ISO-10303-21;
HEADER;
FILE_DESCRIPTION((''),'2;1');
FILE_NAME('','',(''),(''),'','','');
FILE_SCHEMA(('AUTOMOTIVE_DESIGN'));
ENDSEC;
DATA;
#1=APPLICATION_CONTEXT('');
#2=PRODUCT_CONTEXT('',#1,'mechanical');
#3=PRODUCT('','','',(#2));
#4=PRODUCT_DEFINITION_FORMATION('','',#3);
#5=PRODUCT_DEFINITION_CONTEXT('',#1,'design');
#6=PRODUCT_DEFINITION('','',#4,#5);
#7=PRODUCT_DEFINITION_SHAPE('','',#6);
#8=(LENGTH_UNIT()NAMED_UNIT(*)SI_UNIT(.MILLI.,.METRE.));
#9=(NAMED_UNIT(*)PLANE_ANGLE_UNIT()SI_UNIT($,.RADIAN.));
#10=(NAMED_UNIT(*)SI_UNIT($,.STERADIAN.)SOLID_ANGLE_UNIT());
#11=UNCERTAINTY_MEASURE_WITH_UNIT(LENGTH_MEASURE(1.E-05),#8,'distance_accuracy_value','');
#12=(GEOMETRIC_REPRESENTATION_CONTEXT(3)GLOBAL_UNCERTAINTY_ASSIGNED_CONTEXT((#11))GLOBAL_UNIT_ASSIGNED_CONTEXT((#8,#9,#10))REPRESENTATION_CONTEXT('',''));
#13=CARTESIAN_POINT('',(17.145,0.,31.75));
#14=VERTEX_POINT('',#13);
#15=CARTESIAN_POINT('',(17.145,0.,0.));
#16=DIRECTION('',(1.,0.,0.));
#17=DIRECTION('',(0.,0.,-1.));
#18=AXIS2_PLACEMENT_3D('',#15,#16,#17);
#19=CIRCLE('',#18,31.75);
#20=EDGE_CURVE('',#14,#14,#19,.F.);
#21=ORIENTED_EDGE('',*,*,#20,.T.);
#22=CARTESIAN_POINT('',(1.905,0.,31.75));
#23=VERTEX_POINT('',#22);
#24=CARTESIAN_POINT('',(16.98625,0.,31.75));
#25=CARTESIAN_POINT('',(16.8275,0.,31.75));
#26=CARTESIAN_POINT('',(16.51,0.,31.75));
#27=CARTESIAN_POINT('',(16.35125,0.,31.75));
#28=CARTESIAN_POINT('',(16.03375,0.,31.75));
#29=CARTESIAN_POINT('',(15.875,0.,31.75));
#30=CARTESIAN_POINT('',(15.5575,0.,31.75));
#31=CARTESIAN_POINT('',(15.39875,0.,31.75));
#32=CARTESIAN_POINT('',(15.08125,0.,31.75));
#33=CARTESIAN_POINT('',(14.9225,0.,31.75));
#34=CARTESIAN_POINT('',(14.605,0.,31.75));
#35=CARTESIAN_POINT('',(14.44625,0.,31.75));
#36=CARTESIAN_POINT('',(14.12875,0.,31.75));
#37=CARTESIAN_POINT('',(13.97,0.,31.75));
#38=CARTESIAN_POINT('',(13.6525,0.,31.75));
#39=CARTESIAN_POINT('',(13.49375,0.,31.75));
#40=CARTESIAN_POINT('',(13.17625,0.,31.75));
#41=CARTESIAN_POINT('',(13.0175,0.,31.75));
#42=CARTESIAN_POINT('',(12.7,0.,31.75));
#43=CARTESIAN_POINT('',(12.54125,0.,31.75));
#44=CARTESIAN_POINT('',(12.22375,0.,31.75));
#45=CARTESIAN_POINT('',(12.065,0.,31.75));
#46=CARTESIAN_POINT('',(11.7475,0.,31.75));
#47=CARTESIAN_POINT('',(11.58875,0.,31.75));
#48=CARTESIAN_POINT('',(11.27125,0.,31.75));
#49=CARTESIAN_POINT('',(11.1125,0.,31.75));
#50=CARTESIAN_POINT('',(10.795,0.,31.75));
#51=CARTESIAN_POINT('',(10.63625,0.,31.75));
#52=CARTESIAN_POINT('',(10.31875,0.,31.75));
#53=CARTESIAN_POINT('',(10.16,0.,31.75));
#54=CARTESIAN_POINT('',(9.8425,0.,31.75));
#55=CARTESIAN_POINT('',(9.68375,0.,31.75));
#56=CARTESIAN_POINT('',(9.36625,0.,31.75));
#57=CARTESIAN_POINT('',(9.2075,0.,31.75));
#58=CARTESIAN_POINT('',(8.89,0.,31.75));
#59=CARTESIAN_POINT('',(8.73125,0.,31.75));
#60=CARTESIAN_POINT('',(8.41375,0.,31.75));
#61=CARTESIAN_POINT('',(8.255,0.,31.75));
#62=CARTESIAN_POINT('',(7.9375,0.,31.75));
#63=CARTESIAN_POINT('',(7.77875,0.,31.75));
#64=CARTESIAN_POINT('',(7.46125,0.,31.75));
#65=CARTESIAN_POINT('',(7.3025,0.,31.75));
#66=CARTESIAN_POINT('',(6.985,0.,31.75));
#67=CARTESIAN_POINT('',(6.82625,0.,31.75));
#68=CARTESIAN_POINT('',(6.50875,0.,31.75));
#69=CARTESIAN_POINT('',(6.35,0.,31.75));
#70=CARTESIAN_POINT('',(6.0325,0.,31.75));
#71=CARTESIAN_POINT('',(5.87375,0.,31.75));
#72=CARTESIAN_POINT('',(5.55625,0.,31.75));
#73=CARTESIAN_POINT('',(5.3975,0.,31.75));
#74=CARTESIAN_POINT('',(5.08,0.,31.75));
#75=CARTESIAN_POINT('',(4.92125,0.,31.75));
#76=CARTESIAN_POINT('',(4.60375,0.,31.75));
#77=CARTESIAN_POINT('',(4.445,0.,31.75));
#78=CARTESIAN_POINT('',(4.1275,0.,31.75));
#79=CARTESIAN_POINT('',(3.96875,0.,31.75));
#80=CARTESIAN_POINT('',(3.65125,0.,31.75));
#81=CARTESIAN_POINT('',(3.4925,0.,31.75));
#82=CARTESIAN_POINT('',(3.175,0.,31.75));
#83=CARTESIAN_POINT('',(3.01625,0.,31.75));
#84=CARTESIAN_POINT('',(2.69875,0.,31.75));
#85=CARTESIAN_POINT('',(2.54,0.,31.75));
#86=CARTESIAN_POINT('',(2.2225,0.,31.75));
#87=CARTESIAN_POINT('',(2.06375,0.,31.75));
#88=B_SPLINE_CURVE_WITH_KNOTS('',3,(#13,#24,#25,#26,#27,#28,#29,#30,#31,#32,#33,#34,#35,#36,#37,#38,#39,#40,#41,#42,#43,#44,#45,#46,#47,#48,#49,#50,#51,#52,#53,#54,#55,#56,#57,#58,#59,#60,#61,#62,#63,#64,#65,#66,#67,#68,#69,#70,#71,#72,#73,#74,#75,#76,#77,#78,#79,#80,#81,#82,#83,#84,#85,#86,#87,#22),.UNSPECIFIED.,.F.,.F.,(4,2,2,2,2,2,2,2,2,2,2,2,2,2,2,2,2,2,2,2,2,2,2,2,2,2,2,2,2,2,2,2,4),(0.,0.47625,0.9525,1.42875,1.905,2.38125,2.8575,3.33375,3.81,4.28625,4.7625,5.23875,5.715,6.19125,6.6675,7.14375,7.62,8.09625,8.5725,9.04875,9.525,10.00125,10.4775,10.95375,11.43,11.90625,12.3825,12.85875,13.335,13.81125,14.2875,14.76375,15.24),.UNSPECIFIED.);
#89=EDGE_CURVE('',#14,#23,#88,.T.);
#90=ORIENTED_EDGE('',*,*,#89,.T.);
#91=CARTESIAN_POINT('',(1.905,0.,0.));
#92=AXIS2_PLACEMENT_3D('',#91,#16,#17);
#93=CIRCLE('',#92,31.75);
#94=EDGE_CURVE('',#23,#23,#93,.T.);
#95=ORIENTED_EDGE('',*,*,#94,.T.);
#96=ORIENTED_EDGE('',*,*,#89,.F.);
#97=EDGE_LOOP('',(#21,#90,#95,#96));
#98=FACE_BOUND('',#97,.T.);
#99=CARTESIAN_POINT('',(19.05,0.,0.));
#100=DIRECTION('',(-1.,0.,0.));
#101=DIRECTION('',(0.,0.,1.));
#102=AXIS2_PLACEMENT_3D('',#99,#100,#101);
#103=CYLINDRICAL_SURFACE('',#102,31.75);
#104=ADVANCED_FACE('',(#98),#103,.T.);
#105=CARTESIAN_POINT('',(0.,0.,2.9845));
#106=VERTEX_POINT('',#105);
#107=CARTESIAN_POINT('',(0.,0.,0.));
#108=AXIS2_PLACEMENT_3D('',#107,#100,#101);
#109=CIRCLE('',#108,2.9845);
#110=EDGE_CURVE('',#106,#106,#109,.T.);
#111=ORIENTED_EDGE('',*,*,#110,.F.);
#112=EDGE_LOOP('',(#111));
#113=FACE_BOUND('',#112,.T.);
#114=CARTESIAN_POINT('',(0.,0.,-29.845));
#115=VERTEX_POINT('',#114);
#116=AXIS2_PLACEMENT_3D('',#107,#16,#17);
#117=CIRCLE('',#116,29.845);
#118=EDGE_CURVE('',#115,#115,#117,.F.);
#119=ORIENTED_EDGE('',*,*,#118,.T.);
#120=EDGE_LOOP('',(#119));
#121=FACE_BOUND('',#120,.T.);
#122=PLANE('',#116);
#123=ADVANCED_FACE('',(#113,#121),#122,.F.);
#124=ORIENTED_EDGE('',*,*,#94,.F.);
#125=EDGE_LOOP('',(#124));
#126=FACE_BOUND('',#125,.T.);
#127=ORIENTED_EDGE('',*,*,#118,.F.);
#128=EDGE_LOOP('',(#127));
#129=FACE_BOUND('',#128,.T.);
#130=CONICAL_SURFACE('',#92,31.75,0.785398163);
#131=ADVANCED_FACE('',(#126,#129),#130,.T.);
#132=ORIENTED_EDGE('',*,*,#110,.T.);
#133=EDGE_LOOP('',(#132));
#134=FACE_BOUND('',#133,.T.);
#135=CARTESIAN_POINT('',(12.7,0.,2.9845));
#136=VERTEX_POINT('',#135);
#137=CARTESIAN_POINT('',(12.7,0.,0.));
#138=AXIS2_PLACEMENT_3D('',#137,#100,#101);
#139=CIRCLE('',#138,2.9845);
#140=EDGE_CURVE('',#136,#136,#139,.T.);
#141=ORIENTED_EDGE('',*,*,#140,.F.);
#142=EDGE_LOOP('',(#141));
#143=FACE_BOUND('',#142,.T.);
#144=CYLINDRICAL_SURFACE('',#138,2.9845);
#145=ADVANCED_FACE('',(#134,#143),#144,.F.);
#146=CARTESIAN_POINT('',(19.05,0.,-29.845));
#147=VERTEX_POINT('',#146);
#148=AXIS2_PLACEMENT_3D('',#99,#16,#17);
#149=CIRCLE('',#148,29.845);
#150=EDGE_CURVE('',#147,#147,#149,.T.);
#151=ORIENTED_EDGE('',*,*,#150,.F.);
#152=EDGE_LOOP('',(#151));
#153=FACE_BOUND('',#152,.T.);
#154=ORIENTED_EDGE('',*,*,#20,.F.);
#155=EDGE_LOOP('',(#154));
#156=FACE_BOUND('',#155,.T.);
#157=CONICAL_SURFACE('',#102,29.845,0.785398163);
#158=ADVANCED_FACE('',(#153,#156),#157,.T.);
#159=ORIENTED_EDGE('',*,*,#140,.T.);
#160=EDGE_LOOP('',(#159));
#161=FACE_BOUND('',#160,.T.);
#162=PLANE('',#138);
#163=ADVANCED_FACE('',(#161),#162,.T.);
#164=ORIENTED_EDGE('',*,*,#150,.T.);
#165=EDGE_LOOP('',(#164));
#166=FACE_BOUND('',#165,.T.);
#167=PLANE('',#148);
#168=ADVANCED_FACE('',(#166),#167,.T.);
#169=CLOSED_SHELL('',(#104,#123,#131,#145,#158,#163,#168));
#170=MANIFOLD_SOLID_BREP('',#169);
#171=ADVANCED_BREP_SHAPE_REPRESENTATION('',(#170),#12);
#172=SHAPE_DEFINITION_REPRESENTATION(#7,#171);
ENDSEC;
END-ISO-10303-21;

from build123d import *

# Parameters (mm, degrees)
SKETCH1_R           = 31.75
BOSS_EXTRUDE1_DEPTH = 19.05
SKETCH2_R           = 2.9845
CUT_EXTRUDE1_DEPTH  = 12.7
CHAMFER1_SIZE       = 1.905


with BuildPart() as part:
    # Sketch1 → Boss-Extrude1 (new body)
    with BuildSketch(Plane(origin=(0, 0, 0), x_dir=(0, 0, -1), z_dir=(1, 0, 0))):
        with Locations(Location((0, 0, 0), (0, 0, 180))):
            Circle(SKETCH1_R)
    extrude(amount=BOSS_EXTRUDE1_DEPTH)

    # Sketch2 → Cut-Extrude1 (cut)
    with BuildSketch(Plane.ZY):
        Circle(SKETCH2_R)
    extrude(amount=-CUT_EXTRUDE1_DEPTH, mode=Mode.SUBTRACT)

    # Chamfer1
    chamfer1_edges = [part.edges().sort_by_distance(p)[0] for p in [
        (0, 0, -31.75),
        (19.05, 0, -31.75),
    ]]
    chamfer(chamfer1_edges, length=CHAMFER1_SIZE)


solid = part.part
